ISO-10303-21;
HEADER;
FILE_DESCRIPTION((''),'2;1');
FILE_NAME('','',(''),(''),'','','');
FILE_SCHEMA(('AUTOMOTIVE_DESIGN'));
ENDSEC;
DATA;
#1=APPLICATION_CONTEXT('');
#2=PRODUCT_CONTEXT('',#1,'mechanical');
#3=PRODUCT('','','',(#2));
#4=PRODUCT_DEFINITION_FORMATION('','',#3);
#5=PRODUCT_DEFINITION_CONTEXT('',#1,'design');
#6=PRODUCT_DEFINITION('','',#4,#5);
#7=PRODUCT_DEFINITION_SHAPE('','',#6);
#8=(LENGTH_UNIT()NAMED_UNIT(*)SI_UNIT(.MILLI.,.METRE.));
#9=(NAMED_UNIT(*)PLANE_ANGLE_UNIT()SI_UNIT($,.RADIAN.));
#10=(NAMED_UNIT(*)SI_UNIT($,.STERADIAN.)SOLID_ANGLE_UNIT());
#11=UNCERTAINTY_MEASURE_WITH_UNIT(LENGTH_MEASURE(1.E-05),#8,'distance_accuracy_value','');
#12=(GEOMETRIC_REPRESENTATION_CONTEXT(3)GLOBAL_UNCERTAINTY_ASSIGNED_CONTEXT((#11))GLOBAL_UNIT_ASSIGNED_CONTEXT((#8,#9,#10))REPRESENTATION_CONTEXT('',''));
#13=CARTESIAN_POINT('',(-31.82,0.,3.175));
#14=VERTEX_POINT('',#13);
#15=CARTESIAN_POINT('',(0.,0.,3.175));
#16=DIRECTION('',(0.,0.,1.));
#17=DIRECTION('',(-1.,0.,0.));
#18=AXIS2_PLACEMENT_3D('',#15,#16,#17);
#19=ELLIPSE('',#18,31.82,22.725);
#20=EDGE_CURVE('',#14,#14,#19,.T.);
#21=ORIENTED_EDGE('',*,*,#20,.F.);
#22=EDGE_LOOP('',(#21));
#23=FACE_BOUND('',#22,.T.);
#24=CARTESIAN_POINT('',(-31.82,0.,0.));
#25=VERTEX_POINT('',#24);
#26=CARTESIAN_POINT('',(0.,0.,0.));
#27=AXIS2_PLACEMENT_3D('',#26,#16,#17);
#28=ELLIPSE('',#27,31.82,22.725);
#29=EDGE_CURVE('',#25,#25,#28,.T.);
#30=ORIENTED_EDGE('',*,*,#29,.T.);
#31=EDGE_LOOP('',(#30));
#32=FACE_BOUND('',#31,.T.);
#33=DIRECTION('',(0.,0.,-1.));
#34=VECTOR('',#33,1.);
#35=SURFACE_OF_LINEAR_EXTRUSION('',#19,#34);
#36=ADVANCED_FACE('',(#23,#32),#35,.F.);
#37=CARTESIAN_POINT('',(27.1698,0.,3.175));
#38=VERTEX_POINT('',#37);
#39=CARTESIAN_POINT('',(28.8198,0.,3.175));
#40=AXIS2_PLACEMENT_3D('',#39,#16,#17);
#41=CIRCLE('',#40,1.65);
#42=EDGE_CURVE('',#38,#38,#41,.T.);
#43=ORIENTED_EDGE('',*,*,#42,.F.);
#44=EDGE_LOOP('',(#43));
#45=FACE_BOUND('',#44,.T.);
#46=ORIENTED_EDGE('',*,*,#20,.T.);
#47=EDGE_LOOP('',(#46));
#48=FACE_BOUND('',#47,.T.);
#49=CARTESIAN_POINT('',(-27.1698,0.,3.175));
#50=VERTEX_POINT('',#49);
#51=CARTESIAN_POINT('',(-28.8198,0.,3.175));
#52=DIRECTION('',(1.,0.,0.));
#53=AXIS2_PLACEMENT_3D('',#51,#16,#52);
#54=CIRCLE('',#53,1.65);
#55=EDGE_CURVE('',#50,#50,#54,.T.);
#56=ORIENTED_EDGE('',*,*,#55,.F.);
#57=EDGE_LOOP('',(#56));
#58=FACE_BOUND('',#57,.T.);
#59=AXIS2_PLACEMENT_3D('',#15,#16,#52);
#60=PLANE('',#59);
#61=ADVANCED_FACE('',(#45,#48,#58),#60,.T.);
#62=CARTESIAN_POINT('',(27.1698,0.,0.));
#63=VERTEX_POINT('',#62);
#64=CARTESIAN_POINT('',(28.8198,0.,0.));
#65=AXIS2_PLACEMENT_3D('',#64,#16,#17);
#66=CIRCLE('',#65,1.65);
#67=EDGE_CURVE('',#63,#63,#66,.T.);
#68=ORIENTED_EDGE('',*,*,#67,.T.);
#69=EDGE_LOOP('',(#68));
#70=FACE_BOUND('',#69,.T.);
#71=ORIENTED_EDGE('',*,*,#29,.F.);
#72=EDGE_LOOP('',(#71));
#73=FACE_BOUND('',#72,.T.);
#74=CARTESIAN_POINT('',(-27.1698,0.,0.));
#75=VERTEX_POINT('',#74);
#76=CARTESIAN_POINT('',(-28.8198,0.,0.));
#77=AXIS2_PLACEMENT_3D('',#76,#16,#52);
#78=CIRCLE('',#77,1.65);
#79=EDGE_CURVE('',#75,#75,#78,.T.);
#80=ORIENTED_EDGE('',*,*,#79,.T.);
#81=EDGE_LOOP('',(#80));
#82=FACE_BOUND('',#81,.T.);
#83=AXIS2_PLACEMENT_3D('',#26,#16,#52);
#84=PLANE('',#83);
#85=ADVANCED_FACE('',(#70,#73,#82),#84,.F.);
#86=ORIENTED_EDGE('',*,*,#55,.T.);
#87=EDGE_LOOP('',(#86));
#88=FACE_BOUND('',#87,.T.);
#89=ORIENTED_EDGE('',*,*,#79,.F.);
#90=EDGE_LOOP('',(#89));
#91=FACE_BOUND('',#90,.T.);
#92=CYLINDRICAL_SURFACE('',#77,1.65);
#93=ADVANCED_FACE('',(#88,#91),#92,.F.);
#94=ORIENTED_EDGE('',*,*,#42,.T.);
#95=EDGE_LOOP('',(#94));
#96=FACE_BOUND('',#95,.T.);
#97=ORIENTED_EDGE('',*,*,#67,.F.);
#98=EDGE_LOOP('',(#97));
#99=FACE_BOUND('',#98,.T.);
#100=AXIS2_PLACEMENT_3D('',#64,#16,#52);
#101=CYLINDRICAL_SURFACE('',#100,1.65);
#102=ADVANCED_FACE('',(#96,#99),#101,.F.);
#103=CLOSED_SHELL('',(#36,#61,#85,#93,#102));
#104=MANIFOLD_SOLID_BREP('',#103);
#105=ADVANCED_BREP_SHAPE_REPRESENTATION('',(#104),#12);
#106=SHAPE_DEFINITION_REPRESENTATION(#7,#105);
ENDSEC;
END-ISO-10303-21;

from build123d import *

# Parameters (mm, degrees)
SKETCH1_RX          = 31.82
SKETCH1_RY          = 22.725
BOSS_EXTRUDE1_DEPTH = 3.175
SKETCH2_R           = 1.65
CUT_EXTRUDE1_DEPTH  = 40.230328191


with BuildPart() as part:
    # Sketch1 → Boss-Extrude1 (new body)
    with BuildSketch(Plane.XY):
        with Locations(Location((0, 0), (0, 0, 180))):
            Ellipse(SKETCH1_RX, SKETCH1_RY)
    extrude(amount=BOSS_EXTRUDE1_DEPTH)

    # Sketch2 → Cut-Extrude1 (cut, through all)
    with BuildSketch(Plane.XY.offset(3.175)):
        with Locations((-28.8198, 0)):
            Circle(SKETCH2_R)
        with Locations(Location((28.8198, 0, 0), (0, 0, 180))):
            Circle(SKETCH2_R)
    extrude(amount=-CUT_EXTRUDE1_DEPTH, mode=Mode.SUBTRACT)


solid = part.part
